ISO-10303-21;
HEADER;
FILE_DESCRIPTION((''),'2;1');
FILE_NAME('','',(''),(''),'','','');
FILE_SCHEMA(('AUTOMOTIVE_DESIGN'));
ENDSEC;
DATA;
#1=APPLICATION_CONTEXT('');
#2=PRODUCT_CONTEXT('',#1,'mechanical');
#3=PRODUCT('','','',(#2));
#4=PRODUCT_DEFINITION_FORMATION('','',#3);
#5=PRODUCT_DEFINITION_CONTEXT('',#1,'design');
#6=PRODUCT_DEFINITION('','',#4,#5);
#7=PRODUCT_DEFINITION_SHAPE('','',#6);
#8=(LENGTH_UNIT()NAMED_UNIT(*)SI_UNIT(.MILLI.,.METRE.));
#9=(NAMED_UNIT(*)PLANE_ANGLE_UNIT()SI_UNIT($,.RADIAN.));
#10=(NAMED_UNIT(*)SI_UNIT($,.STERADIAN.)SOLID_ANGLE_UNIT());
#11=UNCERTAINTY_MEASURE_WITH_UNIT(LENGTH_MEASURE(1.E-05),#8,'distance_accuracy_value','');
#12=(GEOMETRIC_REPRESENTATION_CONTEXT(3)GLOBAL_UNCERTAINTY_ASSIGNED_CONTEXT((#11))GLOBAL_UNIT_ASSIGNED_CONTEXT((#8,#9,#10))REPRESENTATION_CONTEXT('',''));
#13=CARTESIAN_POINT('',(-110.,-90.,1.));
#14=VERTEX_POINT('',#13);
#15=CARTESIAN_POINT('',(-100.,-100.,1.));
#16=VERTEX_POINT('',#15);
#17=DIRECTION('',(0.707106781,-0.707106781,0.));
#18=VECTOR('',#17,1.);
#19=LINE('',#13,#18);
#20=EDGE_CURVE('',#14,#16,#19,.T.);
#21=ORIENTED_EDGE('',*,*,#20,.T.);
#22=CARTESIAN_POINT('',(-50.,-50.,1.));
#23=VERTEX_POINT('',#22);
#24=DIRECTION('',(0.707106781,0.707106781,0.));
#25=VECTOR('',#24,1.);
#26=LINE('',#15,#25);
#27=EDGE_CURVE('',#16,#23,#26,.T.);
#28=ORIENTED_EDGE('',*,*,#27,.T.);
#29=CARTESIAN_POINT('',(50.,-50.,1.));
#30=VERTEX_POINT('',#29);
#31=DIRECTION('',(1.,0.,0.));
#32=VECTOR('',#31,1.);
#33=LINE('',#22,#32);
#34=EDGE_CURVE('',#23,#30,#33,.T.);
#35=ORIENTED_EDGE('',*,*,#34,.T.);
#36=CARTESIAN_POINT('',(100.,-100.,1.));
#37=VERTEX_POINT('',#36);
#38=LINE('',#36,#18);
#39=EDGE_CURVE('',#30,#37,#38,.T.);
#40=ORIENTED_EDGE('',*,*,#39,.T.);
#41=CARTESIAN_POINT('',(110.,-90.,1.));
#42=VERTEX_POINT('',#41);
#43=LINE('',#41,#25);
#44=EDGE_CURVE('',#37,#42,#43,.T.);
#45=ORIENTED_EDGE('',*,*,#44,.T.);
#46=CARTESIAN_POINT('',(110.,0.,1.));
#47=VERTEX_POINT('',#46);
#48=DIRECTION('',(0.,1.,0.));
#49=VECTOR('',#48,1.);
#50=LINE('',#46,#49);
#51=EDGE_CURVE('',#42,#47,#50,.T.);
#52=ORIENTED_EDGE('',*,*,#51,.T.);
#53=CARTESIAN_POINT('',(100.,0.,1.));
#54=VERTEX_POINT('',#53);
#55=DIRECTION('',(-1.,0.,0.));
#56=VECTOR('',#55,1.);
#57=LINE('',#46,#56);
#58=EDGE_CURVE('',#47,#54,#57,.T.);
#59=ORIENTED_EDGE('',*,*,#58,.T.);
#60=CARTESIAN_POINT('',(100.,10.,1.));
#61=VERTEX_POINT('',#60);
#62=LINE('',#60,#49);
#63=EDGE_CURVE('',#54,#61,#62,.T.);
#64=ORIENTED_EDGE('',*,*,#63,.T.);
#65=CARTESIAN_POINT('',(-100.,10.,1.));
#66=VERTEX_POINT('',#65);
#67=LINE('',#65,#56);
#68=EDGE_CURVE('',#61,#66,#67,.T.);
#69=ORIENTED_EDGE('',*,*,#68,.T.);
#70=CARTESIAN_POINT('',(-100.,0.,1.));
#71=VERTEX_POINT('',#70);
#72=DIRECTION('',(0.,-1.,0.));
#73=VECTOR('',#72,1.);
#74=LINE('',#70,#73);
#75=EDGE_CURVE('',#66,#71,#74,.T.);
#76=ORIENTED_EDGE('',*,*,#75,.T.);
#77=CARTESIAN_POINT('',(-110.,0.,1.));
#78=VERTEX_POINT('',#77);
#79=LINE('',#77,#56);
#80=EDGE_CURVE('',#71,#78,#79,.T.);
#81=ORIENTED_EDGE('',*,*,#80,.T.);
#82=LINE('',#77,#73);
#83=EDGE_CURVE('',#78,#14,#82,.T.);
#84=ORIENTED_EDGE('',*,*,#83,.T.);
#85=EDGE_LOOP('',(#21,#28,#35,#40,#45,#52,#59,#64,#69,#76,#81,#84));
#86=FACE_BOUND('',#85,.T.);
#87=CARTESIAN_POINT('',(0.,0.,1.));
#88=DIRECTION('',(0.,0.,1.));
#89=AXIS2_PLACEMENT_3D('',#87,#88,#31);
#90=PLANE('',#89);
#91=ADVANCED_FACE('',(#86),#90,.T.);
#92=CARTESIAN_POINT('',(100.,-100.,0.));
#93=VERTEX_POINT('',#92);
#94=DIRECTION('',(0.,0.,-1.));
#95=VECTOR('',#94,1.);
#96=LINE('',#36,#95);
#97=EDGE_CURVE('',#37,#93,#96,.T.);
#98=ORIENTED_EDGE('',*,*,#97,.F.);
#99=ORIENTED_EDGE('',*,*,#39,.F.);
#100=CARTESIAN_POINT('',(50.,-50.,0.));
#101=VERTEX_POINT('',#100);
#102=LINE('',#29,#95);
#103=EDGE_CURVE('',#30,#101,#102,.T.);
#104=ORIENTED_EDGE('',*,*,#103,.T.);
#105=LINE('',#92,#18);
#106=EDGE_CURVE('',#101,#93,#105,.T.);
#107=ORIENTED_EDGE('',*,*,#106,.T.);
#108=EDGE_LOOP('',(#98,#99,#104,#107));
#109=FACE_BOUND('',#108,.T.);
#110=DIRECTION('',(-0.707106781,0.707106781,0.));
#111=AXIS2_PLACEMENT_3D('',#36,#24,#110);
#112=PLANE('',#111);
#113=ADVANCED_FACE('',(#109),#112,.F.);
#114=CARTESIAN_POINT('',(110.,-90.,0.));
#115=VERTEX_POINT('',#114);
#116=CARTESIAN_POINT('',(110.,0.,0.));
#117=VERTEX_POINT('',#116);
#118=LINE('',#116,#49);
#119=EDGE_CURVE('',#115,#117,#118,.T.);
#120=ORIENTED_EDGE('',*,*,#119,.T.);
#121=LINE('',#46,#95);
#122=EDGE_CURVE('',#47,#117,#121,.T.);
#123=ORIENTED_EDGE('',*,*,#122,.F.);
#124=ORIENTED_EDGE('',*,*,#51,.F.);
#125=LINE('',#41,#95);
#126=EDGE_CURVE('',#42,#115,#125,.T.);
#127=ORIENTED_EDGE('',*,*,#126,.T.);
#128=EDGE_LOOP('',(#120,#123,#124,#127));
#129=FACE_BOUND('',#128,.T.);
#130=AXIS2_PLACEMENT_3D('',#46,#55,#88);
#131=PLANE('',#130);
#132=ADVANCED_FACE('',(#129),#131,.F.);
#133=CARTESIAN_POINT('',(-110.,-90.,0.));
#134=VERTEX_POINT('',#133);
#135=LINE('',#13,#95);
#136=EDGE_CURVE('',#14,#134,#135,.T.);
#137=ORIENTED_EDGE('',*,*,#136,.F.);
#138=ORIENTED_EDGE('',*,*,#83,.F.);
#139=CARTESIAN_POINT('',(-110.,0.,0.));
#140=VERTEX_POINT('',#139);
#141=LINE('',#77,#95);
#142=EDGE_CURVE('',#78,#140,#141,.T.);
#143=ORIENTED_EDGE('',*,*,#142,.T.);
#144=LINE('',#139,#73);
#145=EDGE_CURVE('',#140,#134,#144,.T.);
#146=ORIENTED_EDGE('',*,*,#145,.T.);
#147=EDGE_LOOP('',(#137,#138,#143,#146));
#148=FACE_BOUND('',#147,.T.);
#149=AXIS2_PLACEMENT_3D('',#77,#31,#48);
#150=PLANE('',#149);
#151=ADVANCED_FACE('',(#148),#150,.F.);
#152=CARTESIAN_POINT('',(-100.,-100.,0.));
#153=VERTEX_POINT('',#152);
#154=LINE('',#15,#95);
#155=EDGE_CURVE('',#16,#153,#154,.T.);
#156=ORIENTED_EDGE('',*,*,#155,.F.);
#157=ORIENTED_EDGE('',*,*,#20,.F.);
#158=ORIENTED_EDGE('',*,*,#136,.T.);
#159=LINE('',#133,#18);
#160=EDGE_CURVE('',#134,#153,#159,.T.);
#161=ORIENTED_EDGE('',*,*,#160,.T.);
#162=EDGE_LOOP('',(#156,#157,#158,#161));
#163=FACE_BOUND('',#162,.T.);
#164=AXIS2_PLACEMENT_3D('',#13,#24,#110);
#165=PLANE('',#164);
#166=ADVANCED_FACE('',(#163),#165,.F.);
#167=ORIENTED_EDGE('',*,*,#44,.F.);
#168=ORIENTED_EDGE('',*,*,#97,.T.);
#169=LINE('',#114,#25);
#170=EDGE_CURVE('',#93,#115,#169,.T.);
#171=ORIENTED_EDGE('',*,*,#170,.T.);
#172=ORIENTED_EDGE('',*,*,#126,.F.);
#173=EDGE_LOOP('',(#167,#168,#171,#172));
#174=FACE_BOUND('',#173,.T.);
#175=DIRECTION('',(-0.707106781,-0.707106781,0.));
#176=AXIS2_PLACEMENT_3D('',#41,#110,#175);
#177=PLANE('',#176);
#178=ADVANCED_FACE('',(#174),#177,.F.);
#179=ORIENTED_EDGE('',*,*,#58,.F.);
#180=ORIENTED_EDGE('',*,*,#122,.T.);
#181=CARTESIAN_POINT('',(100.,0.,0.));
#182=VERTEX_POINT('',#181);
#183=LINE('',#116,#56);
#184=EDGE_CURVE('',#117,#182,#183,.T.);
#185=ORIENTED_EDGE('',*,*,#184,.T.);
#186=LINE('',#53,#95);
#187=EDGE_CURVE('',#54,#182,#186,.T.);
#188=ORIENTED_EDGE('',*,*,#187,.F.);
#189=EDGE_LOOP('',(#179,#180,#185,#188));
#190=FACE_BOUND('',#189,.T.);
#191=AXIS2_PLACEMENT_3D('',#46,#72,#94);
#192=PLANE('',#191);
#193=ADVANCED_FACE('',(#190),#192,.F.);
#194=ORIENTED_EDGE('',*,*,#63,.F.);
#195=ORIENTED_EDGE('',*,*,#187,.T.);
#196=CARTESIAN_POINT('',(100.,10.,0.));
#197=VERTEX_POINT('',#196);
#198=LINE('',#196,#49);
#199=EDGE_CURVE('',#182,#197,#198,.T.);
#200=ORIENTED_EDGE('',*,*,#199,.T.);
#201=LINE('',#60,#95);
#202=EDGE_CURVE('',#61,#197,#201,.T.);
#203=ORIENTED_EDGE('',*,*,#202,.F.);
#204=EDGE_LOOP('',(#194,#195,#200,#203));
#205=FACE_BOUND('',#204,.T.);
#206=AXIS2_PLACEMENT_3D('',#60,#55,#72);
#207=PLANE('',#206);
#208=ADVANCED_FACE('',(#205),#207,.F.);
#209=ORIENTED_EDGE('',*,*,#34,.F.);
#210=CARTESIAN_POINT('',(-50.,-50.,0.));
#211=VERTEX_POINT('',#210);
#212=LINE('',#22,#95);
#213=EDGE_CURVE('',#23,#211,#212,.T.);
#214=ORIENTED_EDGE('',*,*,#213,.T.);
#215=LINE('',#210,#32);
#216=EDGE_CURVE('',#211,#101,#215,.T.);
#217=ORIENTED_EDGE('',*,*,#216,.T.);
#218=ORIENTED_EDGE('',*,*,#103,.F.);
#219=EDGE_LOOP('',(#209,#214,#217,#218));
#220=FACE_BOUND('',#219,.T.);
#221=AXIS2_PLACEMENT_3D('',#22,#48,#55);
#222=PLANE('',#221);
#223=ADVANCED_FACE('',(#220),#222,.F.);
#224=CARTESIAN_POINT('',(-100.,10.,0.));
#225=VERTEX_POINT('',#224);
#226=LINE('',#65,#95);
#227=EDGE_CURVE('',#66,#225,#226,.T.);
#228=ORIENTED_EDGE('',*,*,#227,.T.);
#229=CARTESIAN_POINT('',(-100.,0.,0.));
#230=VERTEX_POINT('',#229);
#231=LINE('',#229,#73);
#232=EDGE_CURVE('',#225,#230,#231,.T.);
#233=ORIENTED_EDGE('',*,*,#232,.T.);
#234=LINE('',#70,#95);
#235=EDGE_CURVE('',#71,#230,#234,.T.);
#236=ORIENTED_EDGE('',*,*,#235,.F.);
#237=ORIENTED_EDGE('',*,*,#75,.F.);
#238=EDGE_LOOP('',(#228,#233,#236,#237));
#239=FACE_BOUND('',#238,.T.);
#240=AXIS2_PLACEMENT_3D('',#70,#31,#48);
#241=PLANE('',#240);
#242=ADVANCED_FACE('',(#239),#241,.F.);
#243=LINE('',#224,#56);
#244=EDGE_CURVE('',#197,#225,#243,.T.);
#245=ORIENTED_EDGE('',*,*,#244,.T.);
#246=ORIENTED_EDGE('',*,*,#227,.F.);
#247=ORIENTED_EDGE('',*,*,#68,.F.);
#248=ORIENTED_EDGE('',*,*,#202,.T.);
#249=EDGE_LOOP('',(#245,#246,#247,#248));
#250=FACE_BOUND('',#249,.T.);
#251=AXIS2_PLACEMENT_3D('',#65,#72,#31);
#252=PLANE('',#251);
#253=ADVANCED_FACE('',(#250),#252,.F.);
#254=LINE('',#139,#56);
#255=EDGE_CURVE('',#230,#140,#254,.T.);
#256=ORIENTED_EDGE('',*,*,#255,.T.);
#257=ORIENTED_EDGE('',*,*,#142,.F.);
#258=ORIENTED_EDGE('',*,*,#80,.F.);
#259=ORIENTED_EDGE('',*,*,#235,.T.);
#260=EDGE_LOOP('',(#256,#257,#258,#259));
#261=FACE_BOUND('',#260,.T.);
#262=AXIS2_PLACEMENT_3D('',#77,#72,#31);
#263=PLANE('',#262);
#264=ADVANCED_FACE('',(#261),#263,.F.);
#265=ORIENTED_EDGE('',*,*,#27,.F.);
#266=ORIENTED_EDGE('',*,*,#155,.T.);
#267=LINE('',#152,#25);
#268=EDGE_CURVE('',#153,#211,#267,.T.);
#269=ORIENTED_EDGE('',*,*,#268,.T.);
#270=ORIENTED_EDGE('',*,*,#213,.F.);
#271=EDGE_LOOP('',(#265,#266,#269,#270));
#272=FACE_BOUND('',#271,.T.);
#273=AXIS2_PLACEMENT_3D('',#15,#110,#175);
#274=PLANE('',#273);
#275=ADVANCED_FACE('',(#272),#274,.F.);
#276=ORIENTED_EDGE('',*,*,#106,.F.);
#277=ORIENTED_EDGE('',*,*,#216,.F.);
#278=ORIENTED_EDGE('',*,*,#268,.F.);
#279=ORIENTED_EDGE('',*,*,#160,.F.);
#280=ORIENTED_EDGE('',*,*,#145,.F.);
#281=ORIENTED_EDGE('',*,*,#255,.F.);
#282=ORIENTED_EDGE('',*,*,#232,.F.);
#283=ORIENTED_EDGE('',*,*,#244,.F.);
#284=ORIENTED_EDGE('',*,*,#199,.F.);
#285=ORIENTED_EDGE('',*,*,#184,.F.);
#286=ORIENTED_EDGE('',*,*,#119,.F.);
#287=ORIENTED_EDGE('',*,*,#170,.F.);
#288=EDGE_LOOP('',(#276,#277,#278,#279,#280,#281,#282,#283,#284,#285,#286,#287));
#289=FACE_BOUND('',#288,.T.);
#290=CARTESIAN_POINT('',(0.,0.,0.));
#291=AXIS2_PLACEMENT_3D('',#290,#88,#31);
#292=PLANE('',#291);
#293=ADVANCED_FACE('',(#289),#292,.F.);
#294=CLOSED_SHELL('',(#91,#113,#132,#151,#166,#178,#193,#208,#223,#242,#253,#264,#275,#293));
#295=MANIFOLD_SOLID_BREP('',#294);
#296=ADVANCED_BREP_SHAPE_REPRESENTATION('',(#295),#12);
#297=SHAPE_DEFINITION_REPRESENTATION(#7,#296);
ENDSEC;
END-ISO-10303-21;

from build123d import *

# Parameters (mm, degrees)
SALIENTE_EXTRUIR1_DEPTH = 1


with BuildPart() as part:
    # Croquis1 → Saliente-Extruir1 (new body)
    with BuildSketch(Plane.XY):
        Polygon((110, 0), (100, 0), (100, 10), (-100, 10), (-100, 0), (-110, 0), (-110, -90), (-100, -100), (-50, -50), (50, -50), (100, -100), (110, -90), align=None)
    extrude(amount=SALIENTE_EXTRUIR1_DEPTH)


solid = part.part
